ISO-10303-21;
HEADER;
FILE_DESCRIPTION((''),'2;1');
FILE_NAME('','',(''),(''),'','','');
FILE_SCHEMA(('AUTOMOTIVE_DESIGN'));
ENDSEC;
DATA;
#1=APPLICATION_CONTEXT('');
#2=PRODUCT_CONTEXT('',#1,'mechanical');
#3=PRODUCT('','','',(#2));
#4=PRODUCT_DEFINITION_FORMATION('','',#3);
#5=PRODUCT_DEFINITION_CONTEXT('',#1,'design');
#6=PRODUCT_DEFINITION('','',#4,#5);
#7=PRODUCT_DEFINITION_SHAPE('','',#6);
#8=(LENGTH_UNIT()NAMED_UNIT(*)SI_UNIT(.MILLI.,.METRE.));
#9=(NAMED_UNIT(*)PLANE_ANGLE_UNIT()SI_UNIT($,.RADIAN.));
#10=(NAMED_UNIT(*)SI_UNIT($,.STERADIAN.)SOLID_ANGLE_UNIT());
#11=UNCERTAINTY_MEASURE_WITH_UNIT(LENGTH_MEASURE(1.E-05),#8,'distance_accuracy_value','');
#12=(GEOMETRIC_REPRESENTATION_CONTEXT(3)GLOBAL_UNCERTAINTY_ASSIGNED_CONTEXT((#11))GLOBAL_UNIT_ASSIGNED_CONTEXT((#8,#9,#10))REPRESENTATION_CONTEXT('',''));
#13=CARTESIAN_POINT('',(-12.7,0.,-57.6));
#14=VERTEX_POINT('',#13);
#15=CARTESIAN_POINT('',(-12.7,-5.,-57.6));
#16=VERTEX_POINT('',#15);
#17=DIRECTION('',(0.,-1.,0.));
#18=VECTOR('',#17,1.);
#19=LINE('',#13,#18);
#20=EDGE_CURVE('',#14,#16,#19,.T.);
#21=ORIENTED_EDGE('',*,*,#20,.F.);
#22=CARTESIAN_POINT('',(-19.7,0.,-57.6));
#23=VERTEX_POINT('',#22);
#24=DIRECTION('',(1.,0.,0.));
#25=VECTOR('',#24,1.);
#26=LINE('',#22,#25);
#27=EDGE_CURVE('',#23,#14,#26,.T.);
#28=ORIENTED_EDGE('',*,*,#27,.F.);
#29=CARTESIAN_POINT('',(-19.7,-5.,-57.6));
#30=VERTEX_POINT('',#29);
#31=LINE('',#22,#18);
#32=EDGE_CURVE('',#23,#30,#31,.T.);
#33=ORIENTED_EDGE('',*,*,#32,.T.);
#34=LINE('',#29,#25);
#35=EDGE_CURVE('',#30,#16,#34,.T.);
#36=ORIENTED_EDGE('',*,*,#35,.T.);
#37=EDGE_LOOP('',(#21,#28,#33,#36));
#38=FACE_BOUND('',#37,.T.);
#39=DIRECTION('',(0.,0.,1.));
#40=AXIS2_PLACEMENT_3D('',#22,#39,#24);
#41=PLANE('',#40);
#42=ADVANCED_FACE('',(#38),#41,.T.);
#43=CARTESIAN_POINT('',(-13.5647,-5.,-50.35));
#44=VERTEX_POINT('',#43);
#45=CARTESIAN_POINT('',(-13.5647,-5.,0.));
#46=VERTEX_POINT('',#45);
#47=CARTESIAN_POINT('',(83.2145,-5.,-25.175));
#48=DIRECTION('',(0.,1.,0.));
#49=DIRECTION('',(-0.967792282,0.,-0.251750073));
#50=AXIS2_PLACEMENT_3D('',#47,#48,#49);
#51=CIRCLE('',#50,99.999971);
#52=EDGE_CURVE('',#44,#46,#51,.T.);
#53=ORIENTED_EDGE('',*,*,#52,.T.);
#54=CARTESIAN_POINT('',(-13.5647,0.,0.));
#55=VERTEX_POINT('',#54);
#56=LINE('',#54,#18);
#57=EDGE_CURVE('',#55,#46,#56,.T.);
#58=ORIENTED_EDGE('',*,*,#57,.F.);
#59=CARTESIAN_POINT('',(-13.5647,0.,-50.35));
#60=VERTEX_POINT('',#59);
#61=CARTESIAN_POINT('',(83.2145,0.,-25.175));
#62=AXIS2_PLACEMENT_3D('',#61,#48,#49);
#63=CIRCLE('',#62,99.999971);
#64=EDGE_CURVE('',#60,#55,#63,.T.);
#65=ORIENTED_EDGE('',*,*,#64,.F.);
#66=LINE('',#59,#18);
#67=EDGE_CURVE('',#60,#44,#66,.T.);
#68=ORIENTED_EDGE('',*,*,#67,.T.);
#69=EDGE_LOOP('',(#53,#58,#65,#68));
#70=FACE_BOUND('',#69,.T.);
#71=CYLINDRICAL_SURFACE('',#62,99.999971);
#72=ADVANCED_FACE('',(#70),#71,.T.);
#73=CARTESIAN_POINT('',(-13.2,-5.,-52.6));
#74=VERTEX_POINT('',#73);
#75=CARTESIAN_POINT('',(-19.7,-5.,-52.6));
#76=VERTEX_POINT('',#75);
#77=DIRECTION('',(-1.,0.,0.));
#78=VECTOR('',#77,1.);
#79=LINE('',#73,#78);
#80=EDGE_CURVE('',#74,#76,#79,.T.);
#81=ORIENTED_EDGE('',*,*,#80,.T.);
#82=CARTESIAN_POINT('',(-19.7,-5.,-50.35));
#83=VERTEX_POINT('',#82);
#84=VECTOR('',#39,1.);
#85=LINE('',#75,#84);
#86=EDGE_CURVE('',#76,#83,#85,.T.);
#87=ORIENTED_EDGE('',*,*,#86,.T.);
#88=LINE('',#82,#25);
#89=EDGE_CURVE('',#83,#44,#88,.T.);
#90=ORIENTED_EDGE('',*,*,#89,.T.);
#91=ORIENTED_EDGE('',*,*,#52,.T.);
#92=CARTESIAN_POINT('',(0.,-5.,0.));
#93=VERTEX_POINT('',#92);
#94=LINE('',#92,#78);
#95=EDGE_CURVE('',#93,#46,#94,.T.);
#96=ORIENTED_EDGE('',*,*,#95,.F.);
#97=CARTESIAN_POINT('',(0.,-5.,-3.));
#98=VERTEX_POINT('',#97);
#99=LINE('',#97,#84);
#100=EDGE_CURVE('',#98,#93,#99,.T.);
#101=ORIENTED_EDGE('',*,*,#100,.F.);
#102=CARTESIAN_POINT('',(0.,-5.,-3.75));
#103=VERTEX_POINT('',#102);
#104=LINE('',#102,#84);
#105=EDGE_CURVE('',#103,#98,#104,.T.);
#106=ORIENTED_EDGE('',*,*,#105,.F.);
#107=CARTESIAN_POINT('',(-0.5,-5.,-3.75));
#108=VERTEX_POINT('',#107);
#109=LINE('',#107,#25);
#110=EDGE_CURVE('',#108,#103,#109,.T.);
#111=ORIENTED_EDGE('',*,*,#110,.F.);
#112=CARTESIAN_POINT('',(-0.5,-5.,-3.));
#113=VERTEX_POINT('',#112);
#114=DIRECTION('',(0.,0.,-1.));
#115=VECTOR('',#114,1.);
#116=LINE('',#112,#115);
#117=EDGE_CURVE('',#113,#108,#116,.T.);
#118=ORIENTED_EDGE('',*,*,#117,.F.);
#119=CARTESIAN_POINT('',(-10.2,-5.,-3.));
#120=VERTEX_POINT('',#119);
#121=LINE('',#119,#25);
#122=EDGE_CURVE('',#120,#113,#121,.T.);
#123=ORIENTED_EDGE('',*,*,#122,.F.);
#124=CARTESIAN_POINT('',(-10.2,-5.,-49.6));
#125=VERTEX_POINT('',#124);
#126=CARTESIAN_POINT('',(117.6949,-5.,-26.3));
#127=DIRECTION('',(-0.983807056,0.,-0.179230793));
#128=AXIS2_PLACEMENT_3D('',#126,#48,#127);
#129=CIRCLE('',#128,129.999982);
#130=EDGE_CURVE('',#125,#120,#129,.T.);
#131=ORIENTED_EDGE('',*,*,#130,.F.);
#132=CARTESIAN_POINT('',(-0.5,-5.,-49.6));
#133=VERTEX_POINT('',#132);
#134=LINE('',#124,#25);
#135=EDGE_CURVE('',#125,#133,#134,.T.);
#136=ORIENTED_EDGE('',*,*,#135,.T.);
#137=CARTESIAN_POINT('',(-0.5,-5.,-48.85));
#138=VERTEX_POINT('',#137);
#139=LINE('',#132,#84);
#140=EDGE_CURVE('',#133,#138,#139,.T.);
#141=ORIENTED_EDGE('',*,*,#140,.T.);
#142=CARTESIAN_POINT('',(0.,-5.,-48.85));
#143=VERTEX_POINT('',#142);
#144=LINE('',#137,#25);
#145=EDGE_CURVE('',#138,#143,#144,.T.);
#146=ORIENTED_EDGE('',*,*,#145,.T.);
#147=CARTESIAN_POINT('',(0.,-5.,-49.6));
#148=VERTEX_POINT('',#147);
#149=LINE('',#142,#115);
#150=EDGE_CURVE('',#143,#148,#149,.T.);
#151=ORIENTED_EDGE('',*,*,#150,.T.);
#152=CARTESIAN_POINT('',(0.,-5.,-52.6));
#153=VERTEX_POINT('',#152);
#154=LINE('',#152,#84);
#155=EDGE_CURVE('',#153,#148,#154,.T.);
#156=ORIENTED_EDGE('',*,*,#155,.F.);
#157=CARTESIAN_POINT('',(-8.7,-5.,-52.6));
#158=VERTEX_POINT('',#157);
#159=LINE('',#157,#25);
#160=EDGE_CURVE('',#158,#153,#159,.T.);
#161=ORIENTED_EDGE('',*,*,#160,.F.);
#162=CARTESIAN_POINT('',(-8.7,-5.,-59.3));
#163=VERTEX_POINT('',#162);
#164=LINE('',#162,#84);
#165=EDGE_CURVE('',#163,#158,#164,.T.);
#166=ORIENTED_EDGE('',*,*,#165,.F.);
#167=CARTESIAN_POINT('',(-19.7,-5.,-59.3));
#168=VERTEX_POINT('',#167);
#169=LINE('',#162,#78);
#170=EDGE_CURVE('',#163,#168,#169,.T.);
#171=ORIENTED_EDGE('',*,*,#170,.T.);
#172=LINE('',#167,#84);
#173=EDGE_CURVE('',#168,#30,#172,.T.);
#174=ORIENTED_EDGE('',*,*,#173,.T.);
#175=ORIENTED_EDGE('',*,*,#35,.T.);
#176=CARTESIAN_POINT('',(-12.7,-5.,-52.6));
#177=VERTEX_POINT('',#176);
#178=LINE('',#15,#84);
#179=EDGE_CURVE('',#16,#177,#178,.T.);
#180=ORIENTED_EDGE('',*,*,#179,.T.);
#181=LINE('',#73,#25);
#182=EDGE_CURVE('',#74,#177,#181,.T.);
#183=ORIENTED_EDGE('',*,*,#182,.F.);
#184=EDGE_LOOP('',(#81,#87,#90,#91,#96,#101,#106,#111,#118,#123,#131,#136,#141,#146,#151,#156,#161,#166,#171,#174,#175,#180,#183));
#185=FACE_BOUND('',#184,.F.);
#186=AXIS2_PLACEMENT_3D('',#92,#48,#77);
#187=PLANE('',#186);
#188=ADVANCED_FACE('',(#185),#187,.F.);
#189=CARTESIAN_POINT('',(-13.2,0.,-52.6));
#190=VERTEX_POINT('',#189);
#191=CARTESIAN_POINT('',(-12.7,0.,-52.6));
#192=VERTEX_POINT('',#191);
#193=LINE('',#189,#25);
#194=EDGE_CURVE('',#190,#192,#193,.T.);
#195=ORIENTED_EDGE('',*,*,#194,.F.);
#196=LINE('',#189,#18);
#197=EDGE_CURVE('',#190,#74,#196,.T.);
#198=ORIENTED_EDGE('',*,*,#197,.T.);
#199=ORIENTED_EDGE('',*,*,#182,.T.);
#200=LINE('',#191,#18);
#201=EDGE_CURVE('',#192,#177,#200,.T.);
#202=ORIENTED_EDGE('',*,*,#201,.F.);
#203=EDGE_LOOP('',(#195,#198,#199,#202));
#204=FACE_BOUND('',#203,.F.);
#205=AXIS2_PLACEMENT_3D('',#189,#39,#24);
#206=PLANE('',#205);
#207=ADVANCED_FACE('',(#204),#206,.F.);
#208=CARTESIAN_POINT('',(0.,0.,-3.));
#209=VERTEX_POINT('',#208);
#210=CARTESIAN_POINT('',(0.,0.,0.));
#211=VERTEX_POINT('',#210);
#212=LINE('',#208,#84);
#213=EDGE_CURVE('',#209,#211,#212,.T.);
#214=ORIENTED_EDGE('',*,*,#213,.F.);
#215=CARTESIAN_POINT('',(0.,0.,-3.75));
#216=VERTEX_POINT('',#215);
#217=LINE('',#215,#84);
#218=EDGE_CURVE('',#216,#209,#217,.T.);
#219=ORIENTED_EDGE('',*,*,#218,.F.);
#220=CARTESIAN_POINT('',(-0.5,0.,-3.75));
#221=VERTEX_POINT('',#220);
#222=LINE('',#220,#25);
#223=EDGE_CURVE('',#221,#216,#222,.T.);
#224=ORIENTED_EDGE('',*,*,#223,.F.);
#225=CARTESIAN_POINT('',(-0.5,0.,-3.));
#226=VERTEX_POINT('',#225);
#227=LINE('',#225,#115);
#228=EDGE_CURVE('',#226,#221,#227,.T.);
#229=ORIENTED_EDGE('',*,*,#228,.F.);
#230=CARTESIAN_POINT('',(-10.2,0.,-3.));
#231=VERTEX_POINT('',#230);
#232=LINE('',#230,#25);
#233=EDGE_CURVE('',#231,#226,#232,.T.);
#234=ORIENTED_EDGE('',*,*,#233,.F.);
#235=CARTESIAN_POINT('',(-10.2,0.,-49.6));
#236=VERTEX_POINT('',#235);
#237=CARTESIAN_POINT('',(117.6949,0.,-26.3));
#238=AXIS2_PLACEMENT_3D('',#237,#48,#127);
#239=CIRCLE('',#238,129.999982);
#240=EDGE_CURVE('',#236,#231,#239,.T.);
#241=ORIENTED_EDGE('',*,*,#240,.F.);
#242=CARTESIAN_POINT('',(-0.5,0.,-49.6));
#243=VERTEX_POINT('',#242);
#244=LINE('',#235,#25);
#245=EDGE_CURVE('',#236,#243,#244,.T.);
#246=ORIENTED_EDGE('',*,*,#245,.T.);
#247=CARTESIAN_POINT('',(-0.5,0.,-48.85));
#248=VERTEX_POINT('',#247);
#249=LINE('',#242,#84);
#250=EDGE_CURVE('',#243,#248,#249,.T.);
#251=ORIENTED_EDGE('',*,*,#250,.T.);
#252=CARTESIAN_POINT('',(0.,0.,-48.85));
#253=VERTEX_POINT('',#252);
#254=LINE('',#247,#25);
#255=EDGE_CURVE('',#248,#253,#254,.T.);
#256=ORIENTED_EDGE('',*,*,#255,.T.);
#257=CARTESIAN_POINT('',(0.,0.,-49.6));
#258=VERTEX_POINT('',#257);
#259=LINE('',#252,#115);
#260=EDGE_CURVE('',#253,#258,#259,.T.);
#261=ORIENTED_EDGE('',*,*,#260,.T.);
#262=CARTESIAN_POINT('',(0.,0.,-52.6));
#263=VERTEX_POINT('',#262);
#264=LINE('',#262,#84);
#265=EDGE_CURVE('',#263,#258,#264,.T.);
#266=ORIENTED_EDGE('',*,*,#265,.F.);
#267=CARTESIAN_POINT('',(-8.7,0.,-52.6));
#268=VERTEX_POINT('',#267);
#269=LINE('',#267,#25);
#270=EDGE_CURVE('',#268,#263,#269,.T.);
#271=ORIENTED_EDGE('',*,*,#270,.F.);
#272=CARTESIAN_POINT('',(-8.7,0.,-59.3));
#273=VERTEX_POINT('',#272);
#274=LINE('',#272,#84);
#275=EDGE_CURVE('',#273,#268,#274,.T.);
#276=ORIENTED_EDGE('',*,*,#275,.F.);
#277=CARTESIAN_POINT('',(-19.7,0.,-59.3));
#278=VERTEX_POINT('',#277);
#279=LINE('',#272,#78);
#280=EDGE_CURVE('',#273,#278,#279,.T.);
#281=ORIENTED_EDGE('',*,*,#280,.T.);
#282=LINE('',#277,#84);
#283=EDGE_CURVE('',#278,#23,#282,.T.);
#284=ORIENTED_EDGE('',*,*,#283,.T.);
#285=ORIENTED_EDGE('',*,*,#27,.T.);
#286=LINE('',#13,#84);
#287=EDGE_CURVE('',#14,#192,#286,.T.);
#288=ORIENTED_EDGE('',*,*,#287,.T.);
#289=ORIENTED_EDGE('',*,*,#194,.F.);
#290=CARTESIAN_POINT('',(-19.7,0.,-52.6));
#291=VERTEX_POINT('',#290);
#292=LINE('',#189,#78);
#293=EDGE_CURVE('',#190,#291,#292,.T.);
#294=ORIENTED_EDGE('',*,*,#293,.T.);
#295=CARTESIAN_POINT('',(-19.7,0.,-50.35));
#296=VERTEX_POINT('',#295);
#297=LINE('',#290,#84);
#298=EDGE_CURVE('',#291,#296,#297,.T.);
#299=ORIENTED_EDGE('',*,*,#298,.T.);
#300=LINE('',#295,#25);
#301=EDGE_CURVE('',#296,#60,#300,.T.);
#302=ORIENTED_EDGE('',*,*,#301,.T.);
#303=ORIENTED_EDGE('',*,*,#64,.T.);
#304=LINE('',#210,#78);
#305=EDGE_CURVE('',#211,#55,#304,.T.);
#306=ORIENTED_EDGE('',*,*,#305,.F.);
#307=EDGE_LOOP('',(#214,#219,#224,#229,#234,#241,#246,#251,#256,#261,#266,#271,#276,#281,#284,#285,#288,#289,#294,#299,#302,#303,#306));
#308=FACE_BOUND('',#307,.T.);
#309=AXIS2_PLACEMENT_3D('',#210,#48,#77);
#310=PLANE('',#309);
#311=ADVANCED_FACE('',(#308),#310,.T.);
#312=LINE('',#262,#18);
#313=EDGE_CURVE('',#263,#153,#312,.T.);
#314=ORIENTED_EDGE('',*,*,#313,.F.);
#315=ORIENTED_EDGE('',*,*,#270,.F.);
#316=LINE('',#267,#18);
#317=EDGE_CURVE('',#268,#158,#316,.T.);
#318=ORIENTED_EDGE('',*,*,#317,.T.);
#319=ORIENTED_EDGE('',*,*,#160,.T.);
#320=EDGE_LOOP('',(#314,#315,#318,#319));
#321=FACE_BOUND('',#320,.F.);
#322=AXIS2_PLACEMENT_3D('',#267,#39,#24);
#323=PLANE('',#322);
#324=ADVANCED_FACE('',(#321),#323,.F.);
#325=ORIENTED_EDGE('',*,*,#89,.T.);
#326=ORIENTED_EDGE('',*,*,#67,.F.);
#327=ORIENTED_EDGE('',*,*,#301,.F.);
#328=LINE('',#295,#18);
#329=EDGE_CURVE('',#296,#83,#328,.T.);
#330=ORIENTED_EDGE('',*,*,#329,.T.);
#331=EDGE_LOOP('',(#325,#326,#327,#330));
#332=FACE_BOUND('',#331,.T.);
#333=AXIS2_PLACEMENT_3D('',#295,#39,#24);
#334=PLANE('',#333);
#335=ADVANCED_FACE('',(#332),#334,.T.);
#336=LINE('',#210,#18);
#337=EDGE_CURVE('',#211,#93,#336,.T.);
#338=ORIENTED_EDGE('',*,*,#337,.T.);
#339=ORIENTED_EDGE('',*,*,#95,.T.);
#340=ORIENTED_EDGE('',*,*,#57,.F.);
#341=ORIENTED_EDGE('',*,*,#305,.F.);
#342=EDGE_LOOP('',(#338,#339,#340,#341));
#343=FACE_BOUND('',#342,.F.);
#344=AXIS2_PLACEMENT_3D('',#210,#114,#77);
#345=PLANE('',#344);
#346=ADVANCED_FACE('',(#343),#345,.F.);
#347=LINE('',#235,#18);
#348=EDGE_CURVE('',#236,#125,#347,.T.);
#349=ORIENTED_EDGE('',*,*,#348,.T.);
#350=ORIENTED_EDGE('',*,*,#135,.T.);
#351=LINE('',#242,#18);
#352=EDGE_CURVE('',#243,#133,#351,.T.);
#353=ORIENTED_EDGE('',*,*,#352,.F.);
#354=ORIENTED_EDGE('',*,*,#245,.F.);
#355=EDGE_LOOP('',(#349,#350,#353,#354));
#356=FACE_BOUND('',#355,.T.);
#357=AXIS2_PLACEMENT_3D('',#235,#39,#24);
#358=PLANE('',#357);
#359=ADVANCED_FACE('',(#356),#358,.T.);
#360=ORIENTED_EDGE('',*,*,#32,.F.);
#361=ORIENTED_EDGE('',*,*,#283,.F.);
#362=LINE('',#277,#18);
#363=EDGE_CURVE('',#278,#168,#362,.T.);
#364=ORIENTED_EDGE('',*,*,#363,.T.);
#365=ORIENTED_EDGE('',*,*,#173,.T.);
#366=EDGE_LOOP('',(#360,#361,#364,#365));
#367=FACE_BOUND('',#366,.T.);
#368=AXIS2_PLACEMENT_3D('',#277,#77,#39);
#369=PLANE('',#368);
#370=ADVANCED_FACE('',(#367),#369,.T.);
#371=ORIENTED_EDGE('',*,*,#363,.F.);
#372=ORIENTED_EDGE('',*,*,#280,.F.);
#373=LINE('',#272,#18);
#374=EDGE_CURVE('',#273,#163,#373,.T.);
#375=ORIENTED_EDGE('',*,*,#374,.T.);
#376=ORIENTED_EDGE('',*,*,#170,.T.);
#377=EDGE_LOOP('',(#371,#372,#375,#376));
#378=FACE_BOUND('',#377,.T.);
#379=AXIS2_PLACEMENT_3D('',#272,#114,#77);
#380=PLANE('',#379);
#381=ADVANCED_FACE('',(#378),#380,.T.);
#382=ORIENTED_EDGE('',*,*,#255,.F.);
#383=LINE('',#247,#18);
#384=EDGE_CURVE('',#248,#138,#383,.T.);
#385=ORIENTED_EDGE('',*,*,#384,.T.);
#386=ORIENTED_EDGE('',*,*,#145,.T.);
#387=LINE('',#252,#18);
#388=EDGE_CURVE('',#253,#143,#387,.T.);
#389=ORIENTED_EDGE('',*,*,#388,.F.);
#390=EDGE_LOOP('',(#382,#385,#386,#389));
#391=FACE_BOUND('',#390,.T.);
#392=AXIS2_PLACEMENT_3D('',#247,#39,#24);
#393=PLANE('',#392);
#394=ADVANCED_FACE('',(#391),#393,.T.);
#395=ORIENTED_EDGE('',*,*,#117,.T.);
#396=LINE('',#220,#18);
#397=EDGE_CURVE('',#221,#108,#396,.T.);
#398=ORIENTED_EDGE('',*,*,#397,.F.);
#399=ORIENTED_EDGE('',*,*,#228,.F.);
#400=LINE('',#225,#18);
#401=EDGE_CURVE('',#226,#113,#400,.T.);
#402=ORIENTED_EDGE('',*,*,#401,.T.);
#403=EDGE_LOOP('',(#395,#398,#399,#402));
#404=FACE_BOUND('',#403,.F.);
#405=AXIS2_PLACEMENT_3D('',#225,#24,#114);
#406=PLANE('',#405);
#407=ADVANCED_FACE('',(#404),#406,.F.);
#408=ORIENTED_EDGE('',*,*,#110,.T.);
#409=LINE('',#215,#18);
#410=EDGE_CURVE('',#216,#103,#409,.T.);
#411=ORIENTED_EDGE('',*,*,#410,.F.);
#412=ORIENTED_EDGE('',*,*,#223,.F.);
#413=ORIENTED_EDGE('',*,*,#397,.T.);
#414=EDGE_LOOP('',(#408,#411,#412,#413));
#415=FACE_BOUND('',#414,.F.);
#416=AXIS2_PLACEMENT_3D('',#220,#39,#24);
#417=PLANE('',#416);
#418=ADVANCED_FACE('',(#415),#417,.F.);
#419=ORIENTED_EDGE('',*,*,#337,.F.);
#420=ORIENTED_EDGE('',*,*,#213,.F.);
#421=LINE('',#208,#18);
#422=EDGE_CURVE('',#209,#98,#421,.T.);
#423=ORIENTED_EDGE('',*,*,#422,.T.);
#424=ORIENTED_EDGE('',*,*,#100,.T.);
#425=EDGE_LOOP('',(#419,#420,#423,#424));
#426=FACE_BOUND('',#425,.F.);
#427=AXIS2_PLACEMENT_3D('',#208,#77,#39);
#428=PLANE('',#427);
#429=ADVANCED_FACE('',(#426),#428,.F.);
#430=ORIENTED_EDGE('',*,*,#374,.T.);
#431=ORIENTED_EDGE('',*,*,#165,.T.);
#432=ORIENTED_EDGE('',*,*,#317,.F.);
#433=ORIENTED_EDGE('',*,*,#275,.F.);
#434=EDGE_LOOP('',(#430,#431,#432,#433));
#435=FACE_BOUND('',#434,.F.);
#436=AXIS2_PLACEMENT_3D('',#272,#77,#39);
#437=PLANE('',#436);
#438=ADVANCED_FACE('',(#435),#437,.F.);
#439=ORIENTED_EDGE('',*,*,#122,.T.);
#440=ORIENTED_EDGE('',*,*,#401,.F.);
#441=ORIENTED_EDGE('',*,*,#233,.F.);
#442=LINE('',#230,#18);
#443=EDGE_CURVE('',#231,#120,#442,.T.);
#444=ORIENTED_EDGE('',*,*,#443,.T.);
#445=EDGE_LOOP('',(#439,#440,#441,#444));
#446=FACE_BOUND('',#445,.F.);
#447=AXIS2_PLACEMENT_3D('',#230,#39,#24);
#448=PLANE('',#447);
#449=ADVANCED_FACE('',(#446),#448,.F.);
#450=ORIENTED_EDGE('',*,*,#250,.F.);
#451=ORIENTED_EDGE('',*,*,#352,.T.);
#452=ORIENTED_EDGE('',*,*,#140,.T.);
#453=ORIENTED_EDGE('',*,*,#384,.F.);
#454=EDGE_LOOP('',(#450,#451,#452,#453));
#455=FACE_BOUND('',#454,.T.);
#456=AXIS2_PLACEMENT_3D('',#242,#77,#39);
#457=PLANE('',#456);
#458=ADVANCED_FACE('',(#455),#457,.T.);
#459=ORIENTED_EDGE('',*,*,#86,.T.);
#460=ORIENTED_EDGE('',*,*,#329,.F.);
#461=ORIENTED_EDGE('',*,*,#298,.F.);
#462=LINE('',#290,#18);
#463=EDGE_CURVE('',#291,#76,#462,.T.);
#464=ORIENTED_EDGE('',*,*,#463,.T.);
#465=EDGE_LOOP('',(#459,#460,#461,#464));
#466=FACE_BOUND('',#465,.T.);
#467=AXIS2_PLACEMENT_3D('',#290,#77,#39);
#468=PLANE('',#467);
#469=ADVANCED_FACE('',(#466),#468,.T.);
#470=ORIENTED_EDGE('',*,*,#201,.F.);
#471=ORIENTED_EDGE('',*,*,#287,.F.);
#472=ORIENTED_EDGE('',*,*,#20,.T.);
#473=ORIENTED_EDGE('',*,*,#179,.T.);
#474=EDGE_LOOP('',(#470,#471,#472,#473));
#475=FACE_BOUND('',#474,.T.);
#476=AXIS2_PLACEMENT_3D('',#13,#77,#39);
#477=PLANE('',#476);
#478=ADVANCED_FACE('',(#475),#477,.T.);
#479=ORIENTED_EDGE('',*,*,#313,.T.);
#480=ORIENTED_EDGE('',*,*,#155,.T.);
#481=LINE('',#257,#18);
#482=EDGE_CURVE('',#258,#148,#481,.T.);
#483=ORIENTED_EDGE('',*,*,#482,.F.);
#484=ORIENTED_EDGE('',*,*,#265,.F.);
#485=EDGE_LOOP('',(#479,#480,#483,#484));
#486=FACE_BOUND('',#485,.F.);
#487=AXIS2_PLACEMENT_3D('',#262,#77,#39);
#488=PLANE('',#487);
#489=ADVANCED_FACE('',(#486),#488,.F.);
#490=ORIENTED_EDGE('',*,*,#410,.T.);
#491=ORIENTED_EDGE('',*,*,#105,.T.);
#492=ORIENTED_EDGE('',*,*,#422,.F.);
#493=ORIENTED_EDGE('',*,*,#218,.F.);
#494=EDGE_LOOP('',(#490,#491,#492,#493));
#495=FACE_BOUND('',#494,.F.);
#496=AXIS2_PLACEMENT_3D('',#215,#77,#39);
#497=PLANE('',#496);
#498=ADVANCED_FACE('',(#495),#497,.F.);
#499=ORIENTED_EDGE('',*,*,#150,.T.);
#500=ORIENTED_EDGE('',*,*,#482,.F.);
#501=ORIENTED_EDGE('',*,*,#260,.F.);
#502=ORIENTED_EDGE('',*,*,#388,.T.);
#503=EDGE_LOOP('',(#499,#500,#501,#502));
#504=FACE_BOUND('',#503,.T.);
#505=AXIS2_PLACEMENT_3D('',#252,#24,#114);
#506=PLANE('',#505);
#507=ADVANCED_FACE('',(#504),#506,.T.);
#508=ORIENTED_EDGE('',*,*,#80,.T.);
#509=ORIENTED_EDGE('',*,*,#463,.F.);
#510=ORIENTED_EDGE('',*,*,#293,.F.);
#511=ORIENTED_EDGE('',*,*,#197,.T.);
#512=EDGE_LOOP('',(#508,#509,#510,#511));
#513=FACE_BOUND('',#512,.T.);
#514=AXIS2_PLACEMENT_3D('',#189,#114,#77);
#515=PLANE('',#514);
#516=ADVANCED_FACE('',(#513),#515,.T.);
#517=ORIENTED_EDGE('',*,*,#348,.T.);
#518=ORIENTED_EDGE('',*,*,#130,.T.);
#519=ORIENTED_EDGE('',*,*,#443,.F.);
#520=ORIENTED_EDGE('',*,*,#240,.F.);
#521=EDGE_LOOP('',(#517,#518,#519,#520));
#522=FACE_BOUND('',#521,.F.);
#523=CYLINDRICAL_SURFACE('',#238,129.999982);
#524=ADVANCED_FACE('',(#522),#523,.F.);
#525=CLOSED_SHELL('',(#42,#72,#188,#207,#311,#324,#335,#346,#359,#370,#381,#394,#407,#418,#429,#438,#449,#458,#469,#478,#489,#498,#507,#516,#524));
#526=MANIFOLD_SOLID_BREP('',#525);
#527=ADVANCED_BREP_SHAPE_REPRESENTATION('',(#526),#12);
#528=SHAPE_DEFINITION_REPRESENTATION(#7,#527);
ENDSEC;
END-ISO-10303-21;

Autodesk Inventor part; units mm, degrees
ref_plane "YZ Plane" through (0, 0, 0) normal (1, 0, 0) x (0, 1, 0)
ref_plane "XZ Plane" through (0, 0, 0) normal (0, 1, 0) x (-1, 0, 0)
ref_plane "XY Plane" through (0, 0, 0) normal (0, 0, 1) x (1, 0, 0)
sketch "Sketch1" plane through (0, 0, 0) normal (0, 1, 0) x (-1, 0, 0)
  line L0 (10.2, -3) -> (10.2, -49.6)
  line L1 (10.2, -49.6) -> (0.5, -49.6)
  line L2 (0.5, -49.6) -> (0.5, -48.85)
  line L3 (0.5, -48.85) -> (0, -48.85)
  line L4 (0, -48.85) -> (0, -49.6)
  line L5 (0.5, -3) -> (0.5, -3.75)
  line L6 (0.5, -3.75) -> (0, -3.75)
  line L7 (0, -3.75) -> (0, -3)
  line L8 (0, -3) -> (0, 0)
  line L9 (0, 0) -> (13.5647, 0)
  line L10 (13.2, -52.6) -> (12.7, -52.6)
  line L11 (0, -52.6) -> (0, -49.6)
  line L12 (10.2, -3) -> (0.5, -3)
  line L13 (8.7, -59.3) -> (19.7, -59.3)
  line L14 (19.7, -59.3) -> (19.7, -57.6)
  line L15 (19.7, -57.6) -> (12.7, -57.6)
  line L16 (12.7, -57.6) -> (12.7, -52.6)
  line L17 (12.7, -52.6) -> (13.2, -52.6)
  line L18 (19.7, -52.6) -> (19.7, -50.35)
  line L19 (19.7, -50.35) -> (13.5647, -50.35)
  line L20 (8.7, -59.3) -> (8.7, -52.6)
  arc A0 (10.2, -49.6) -> (10.2, -3) centre (-117.6949, -26.3) ccw
  line L21 (12.7, -52.6) -> (12.7, -52.6)
  line L22 (13.2, -52.6) -> (19.7, -52.6)
  line L23 (13.2, -52.6) -> (13.2, -52.6)
  line L24 (8.7, -52.6) -> (0, -52.6)
  arc A1 (13.5647, -50.35) -> (13.5647, 0) centre (-83.2145, -25.175) ccw
  point P0 (0, 0)
  dimension "d1" = 9.7
  dimension "d2" = 0.75
  dimension "d3" = 0.5
  dimension "d6" = 0.5
  dimension "d10" = 46.6
  dimension "d13" = 0.75
  dimension "d14" = 3
  dimension "d15" = 3
  dimension "d16" = 5
  dimension "d19" = 7
  dimension "d25" = 130
  dimension "d30" = 2.25
  dimension "d31" = 2.25
  dimension "d32" = 1.7
  dimension "d33" = 4
  dimension "d34" = 100
  dimension "d35" = 12.7
extrude "Extrusion2" add sketch "Sketch1" against normal blind 5 contours L12 L5 L6 L7 L8 L9 A1 L19 L18 L22 L10 L16 L15 L14 L13 L20 L24 L11 L4 L3 L2 L1 A0
properties part number "RightClip"
